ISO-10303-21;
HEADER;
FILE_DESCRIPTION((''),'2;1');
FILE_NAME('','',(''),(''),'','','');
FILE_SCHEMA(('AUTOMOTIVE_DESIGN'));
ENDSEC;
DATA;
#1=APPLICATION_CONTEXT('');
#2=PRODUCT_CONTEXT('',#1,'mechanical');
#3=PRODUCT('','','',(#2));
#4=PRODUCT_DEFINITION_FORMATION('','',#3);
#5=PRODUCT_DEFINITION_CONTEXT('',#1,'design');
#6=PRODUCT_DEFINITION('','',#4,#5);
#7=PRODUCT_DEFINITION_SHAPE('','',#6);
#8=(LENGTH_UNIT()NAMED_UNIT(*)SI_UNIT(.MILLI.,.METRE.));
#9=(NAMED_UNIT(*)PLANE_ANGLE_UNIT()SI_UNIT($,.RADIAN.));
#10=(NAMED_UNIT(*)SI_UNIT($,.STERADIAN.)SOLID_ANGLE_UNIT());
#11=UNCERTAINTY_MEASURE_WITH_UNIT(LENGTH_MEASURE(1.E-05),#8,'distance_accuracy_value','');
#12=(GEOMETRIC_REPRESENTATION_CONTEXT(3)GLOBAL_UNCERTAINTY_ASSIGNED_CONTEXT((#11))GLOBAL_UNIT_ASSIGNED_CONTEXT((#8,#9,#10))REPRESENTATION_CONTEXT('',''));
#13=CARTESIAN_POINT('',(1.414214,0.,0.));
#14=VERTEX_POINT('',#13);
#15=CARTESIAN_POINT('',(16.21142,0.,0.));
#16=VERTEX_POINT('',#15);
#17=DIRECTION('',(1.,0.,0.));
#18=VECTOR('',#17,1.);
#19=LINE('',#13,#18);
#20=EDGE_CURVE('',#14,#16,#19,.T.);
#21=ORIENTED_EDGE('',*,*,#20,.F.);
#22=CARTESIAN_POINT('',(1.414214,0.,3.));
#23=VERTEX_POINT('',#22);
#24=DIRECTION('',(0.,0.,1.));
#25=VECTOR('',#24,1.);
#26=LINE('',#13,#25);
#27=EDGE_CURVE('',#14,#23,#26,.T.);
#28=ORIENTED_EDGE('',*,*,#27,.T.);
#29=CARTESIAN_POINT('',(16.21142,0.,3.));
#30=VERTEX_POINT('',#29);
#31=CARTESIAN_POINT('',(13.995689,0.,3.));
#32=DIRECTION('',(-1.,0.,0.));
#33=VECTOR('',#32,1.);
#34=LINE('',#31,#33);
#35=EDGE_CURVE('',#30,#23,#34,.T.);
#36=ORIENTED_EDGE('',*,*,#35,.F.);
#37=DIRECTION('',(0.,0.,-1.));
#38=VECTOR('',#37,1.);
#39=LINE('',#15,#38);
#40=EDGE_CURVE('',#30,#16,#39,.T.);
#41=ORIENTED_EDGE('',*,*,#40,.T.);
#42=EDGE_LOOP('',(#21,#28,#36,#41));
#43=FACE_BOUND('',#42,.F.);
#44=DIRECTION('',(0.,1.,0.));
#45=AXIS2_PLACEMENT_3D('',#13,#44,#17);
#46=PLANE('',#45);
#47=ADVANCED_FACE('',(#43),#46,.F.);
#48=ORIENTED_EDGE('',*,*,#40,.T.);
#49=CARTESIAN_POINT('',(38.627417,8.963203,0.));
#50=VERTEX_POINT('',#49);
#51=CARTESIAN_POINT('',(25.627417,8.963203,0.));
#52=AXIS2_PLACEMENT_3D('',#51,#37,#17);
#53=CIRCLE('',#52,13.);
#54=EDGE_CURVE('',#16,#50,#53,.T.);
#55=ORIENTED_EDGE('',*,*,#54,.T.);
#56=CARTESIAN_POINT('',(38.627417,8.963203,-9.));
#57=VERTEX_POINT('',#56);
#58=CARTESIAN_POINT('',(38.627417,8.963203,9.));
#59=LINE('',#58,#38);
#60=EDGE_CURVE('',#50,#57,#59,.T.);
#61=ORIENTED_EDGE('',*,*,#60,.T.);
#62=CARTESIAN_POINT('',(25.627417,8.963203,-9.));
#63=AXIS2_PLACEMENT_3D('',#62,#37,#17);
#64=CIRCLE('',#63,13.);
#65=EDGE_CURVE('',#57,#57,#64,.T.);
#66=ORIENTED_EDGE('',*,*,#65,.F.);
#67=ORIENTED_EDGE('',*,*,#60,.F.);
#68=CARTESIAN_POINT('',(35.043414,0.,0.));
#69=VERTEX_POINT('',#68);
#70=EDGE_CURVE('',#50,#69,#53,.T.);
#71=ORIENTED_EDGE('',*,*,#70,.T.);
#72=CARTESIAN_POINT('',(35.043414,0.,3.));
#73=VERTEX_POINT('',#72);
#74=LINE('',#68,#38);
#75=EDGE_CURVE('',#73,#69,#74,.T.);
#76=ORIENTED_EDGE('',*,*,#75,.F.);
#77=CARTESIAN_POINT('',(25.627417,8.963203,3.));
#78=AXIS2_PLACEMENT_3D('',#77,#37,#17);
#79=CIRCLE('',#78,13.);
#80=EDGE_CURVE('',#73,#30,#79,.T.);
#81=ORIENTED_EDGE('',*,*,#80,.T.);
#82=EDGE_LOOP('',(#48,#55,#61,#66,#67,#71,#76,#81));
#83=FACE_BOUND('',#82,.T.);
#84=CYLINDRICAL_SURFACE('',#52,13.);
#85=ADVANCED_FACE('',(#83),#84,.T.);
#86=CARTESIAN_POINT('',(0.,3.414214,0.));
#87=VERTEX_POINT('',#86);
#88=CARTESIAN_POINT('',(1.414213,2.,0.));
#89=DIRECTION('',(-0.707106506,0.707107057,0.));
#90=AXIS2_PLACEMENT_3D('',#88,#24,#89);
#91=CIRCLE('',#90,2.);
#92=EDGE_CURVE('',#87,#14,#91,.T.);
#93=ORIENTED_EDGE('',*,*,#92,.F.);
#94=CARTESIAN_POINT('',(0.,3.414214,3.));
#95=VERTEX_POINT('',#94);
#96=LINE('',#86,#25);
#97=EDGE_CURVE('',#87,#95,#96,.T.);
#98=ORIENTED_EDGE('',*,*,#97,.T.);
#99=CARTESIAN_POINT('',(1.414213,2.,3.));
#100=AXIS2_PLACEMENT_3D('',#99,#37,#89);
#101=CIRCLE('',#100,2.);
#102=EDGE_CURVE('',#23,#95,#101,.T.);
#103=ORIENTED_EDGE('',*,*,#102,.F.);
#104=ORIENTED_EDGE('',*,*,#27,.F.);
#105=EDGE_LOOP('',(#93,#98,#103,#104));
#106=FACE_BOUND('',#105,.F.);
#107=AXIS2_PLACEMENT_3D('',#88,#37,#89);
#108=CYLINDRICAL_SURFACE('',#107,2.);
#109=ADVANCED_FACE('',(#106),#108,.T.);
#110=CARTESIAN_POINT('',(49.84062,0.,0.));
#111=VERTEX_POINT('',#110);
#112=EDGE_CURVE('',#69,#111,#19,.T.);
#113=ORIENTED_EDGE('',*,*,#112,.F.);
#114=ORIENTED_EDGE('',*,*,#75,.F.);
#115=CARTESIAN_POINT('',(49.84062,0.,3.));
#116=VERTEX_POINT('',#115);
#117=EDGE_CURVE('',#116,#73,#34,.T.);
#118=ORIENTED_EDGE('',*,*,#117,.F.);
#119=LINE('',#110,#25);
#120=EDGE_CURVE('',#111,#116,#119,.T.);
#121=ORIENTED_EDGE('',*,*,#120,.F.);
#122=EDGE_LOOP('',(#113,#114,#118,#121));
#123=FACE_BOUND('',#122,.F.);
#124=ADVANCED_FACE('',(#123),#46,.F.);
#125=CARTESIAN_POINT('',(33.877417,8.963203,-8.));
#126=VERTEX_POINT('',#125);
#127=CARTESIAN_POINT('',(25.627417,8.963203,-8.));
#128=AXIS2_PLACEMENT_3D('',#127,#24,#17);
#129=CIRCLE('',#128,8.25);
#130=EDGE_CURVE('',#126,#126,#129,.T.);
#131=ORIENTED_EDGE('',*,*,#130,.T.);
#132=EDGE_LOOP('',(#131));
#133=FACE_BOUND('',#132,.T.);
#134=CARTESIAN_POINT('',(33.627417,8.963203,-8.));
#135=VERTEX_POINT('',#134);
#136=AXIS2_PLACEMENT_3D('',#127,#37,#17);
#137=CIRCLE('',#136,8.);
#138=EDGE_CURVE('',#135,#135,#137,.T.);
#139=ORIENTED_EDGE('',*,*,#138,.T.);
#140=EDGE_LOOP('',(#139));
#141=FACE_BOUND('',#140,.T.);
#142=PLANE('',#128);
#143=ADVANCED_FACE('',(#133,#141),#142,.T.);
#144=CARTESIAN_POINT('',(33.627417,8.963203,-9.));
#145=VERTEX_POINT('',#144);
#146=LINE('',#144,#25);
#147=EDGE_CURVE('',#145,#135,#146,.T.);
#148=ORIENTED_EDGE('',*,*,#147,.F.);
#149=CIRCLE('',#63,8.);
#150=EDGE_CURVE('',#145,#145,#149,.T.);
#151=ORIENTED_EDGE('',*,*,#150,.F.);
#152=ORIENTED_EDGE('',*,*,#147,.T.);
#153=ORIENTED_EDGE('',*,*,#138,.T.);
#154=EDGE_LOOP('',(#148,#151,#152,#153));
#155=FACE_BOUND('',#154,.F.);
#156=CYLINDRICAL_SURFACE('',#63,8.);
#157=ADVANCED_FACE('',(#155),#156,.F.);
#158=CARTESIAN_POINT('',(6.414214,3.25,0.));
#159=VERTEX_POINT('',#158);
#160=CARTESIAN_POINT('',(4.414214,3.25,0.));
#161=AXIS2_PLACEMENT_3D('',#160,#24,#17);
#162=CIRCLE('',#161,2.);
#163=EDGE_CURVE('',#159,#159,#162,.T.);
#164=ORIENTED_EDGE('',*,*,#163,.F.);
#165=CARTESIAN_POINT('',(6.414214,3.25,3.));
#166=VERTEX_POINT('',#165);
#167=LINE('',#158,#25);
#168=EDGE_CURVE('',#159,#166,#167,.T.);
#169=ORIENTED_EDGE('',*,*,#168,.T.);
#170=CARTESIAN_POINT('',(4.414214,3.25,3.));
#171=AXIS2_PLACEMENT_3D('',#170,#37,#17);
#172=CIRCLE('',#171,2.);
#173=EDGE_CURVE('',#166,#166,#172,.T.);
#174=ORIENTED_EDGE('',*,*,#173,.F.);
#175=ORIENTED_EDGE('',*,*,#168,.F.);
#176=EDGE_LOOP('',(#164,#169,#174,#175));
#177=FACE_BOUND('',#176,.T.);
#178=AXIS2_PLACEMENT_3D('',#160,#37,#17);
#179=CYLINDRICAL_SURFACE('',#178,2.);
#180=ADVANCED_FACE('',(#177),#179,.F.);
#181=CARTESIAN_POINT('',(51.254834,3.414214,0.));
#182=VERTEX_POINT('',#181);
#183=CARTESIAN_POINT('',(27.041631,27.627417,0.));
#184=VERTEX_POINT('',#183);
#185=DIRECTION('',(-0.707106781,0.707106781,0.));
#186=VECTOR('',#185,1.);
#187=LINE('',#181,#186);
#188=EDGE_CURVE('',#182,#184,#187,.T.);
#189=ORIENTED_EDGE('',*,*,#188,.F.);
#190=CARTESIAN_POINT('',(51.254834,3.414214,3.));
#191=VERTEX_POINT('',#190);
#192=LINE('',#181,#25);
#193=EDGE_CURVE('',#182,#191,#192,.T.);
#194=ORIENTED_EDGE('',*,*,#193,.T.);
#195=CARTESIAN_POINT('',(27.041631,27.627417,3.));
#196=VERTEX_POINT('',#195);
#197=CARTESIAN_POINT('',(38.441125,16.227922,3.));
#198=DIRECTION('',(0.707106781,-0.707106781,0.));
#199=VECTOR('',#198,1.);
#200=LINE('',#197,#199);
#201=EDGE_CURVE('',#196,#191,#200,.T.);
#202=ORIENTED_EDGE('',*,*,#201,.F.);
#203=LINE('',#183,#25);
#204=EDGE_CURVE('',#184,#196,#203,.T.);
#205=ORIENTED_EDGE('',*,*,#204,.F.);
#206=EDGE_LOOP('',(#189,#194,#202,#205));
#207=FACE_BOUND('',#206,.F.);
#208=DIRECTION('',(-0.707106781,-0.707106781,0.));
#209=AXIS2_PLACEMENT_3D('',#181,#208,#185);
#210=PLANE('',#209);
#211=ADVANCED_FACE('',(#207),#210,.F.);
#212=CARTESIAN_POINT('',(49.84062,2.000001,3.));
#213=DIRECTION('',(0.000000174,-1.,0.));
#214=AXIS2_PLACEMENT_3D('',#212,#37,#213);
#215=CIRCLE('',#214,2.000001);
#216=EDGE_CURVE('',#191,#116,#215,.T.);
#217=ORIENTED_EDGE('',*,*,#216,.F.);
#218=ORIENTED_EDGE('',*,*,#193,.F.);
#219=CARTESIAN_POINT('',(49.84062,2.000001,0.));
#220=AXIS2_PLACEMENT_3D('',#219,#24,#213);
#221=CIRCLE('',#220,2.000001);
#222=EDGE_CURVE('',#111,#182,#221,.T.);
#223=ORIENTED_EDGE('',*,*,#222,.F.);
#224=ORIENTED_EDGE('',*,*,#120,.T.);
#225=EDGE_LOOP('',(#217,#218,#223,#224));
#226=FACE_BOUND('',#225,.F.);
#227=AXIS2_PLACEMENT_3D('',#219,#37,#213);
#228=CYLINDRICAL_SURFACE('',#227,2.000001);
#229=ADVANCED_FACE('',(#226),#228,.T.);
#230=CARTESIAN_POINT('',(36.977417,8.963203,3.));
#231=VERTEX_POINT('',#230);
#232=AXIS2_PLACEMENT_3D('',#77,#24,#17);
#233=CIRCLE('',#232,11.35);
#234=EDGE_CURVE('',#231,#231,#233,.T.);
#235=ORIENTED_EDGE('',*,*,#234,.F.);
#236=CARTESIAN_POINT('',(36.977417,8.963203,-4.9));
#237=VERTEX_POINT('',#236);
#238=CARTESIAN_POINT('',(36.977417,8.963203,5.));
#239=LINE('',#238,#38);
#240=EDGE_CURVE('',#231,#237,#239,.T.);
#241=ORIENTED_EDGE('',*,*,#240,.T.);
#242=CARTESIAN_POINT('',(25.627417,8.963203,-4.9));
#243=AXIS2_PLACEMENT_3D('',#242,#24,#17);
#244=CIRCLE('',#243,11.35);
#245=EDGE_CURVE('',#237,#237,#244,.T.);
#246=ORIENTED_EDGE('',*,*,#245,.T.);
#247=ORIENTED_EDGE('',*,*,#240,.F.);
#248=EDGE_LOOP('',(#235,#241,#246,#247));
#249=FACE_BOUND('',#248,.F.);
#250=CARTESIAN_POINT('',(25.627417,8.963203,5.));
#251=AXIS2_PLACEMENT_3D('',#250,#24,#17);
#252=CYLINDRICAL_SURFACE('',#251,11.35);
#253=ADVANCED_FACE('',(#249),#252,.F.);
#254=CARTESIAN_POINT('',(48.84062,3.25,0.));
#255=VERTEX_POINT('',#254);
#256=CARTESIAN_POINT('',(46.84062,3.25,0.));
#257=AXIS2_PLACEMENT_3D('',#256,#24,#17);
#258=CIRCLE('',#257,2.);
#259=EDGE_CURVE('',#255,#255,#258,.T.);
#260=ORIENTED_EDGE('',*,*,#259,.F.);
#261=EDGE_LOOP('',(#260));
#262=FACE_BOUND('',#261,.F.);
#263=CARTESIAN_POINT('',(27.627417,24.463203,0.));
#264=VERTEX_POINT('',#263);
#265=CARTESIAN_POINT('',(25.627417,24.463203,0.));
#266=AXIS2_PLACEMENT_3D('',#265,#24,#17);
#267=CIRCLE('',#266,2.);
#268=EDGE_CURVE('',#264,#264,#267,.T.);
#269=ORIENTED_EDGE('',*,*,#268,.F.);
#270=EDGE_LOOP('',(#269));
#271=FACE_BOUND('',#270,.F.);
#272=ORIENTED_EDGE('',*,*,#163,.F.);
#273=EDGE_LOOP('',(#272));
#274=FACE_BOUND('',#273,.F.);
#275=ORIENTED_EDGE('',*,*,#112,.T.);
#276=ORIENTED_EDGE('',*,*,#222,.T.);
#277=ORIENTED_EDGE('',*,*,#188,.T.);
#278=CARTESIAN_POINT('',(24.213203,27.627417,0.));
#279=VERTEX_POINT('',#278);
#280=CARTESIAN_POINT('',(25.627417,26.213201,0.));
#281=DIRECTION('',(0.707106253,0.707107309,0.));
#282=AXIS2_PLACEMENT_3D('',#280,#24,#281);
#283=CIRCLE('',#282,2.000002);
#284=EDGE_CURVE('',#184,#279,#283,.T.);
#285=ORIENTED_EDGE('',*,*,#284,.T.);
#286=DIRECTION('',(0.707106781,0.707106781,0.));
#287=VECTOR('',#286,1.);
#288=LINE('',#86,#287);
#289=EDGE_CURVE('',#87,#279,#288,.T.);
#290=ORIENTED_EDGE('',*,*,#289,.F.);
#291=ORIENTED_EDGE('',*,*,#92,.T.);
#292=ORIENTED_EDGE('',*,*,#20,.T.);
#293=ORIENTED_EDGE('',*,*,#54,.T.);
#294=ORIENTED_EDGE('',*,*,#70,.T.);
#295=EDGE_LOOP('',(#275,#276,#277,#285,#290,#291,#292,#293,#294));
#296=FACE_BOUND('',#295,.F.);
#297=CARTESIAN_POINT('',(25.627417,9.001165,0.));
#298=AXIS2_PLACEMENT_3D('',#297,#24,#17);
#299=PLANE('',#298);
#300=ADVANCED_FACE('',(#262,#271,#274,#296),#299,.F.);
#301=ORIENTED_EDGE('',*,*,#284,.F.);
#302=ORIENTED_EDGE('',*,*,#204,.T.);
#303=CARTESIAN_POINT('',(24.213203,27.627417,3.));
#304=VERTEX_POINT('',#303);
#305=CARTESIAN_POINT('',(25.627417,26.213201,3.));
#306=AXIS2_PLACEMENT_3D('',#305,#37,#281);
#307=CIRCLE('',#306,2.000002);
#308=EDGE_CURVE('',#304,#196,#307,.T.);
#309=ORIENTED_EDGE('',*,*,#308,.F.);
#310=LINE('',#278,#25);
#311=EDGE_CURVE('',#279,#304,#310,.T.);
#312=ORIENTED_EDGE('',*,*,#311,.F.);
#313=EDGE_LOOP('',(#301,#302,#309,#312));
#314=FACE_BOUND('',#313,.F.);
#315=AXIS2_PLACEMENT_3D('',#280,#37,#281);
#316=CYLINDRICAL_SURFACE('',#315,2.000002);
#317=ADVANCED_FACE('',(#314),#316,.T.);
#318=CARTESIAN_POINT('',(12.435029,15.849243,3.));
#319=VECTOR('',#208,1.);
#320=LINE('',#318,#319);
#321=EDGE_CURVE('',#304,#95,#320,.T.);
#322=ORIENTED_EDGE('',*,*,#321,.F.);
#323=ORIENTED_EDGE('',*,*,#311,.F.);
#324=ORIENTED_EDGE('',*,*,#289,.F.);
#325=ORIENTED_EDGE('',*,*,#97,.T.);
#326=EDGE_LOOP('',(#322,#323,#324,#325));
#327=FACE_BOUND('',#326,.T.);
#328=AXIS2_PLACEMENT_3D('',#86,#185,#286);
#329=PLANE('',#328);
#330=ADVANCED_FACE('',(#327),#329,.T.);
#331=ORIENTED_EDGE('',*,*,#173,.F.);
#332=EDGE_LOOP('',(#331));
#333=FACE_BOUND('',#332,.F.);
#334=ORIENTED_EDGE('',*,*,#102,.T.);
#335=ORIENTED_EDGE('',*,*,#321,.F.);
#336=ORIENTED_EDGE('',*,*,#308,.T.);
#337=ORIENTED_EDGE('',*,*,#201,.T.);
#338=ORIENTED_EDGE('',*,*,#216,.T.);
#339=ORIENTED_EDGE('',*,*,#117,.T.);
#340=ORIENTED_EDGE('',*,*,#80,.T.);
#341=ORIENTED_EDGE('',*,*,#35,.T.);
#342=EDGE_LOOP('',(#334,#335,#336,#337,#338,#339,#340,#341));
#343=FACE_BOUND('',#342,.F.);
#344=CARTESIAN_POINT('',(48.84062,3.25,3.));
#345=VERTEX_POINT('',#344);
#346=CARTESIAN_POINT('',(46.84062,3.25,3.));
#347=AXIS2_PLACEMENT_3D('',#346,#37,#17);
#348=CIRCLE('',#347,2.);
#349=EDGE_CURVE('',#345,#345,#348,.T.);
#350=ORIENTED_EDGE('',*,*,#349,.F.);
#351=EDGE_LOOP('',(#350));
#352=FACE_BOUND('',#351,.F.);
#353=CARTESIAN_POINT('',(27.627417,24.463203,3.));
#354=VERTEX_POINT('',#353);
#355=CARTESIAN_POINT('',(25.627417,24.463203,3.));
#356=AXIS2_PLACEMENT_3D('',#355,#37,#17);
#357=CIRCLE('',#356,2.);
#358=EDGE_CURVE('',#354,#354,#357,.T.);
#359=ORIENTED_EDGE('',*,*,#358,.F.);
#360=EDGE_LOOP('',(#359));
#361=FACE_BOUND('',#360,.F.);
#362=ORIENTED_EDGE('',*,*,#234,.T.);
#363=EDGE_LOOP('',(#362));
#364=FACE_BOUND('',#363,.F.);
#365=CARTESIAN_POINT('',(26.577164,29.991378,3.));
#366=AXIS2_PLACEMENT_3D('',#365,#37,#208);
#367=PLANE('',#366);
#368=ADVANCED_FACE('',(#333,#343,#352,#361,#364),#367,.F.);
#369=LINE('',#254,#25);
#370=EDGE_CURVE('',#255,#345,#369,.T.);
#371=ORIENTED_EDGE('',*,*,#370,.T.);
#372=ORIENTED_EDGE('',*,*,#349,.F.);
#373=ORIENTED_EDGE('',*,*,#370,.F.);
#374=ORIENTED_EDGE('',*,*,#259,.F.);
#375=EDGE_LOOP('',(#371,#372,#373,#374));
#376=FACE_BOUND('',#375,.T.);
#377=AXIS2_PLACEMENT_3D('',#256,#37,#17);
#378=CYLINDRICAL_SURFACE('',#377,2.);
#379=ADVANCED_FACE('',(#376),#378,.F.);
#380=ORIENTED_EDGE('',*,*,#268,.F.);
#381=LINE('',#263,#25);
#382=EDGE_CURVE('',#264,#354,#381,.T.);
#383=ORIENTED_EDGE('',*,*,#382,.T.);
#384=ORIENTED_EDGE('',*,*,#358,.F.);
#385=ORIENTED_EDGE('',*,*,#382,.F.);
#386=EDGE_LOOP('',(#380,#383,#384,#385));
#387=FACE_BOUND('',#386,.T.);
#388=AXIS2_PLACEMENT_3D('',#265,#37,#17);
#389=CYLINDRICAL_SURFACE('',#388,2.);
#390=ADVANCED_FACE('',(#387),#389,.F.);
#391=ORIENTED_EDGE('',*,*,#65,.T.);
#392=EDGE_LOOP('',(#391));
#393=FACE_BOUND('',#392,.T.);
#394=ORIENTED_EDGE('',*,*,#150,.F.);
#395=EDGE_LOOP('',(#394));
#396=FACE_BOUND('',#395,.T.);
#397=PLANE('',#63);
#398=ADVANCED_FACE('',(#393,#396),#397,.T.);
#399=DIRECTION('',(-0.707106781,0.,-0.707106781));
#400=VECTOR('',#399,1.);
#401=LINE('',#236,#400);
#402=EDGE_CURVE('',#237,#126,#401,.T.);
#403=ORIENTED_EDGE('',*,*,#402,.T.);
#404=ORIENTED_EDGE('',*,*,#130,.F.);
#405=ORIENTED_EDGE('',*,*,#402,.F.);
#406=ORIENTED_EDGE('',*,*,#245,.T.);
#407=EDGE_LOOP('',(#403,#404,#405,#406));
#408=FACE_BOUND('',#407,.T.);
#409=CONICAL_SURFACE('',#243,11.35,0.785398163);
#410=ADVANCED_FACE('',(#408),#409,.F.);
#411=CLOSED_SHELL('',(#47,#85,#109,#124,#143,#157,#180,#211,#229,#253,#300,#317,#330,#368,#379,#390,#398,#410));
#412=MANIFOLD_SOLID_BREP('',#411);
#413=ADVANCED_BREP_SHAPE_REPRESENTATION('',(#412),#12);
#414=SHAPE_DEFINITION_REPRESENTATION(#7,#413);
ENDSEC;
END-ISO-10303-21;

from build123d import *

# Parameters (mm, degrees)
SKETCH_R        = 2
PAD_DEPTH       = 5
SKETCH001_R     = 13
PAD001_DEPTH    = 9
SKETCH002_R     = 8
POCKET_DEPTH    = 18.001
SKETCH003_W     = 37.242641
SKETCH003_H     = 5
POCKET001_DEPTH = 41.926514
SKETCH004_R     = 11.35
POCKET002_DEPTH = 13
CHAMFER_SIZE    = 3.1
SKETCH005_W     = 40
SKETCH005_H     = 4
POCKET003_DEPTH = 41.926514


with BuildPart() as part:
    # Sketch → Pad (new body)
    with BuildSketch(Plane.XY):
        with BuildLine():
            Line((1.414214, 0), (49.84062, 0))
            ThreePointArc((49.84062, 0), (51.688379, 1.234633), (51.254834, 3.414214))
            Line((51.254834, 3.414214), (27.041631, 27.627417))
            ThreePointArc((27.041631, 27.627417), (25.627417, 28.213203), (24.213203, 27.627417))
            Line((0, 3.414214), (24.213203, 27.627417))
            ThreePointArc((0, 3.414214), (-0.433546, 1.234633), (1.414214, 0))
        make_face()
        with Locations((4.414214, 3.25)):
            Circle(SKETCH_R, mode=Mode.SUBTRACT)
        with Locations((46.84062, 3.25)):
            Circle(SKETCH_R, mode=Mode.SUBTRACT)
        with Locations((25.627417, 24.463203)):
            Circle(SKETCH_R, mode=Mode.SUBTRACT)
    extrude(amount=PAD_DEPTH)

    # Sketch001 (on Face10 of Pad) → Pad001 (join, symmetric)
    with BuildSketch(Plane(origin=(0, 0, 0), x_dir=(1, 0, 0), z_dir=(0, 0, -1))):
        with Locations((25.627417, -8.963203)):
            Circle(SKETCH001_R)
    extrude(amount=PAD001_DEPTH, both=True)

    # Sketch002 (on Face15 of Pad001) → Pocket (cut, through all)
    with BuildSketch(Plane(origin=(0, 0, -9), x_dir=(1, 0, 0), z_dir=(0, 0, -1))):
        with Locations((25.627417, -8.963203)):
            Circle(SKETCH002_R)
    extrude(amount=-POCKET_DEPTH, mode=Mode.SUBTRACT)

    # Sketch003 (on Face8 of Pocket) → Pocket001 (cut, through all)
    with BuildSketch(Plane(origin=(27.334524, 27.334524, 0), x_dir=(-0.707107, 0.707107, 0), z_dir=(0.707107, 0.707107, 0))):
        with Locations((-15.207106, 7.5)):
            Rectangle(SKETCH003_W, SKETCH003_H)
    extrude(amount=-POCKET001_DEPTH, mode=Mode.SUBTRACT)

    # Sketch004 (on Face15 of Pocket001) → Pocket002 (cut)
    with BuildSketch(Plane.XY.offset(5)):
        with Locations((25.627417, 8.963203)):
            Circle(SKETCH004_R)
    extrude(amount=-POCKET002_DEPTH, mode=Mode.SUBTRACT)

    # Chamfer
    chamfer_edges = [part.edges().sort_by_distance(p)[0] for p in [
        (14.277417, 8.963203, -8),
    ]]
    chamfer(chamfer_edges, length=CHAMFER_SIZE)

    # Sketch005 (on Face12 of Chamfer) → Pocket003 (cut, through all)
    with BuildSketch(Plane(origin=(-1.707107, 1.707107, 0), x_dir=(-0.707107, -0.707107, 0), z_dir=(-0.707107, 0.707107, 0))):
        with Locations((-20, 5)):
            Rectangle(SKETCH005_W, SKETCH005_H)
    extrude(amount=-POCKET003_DEPTH, mode=Mode.SUBTRACT)


solid = part.part
